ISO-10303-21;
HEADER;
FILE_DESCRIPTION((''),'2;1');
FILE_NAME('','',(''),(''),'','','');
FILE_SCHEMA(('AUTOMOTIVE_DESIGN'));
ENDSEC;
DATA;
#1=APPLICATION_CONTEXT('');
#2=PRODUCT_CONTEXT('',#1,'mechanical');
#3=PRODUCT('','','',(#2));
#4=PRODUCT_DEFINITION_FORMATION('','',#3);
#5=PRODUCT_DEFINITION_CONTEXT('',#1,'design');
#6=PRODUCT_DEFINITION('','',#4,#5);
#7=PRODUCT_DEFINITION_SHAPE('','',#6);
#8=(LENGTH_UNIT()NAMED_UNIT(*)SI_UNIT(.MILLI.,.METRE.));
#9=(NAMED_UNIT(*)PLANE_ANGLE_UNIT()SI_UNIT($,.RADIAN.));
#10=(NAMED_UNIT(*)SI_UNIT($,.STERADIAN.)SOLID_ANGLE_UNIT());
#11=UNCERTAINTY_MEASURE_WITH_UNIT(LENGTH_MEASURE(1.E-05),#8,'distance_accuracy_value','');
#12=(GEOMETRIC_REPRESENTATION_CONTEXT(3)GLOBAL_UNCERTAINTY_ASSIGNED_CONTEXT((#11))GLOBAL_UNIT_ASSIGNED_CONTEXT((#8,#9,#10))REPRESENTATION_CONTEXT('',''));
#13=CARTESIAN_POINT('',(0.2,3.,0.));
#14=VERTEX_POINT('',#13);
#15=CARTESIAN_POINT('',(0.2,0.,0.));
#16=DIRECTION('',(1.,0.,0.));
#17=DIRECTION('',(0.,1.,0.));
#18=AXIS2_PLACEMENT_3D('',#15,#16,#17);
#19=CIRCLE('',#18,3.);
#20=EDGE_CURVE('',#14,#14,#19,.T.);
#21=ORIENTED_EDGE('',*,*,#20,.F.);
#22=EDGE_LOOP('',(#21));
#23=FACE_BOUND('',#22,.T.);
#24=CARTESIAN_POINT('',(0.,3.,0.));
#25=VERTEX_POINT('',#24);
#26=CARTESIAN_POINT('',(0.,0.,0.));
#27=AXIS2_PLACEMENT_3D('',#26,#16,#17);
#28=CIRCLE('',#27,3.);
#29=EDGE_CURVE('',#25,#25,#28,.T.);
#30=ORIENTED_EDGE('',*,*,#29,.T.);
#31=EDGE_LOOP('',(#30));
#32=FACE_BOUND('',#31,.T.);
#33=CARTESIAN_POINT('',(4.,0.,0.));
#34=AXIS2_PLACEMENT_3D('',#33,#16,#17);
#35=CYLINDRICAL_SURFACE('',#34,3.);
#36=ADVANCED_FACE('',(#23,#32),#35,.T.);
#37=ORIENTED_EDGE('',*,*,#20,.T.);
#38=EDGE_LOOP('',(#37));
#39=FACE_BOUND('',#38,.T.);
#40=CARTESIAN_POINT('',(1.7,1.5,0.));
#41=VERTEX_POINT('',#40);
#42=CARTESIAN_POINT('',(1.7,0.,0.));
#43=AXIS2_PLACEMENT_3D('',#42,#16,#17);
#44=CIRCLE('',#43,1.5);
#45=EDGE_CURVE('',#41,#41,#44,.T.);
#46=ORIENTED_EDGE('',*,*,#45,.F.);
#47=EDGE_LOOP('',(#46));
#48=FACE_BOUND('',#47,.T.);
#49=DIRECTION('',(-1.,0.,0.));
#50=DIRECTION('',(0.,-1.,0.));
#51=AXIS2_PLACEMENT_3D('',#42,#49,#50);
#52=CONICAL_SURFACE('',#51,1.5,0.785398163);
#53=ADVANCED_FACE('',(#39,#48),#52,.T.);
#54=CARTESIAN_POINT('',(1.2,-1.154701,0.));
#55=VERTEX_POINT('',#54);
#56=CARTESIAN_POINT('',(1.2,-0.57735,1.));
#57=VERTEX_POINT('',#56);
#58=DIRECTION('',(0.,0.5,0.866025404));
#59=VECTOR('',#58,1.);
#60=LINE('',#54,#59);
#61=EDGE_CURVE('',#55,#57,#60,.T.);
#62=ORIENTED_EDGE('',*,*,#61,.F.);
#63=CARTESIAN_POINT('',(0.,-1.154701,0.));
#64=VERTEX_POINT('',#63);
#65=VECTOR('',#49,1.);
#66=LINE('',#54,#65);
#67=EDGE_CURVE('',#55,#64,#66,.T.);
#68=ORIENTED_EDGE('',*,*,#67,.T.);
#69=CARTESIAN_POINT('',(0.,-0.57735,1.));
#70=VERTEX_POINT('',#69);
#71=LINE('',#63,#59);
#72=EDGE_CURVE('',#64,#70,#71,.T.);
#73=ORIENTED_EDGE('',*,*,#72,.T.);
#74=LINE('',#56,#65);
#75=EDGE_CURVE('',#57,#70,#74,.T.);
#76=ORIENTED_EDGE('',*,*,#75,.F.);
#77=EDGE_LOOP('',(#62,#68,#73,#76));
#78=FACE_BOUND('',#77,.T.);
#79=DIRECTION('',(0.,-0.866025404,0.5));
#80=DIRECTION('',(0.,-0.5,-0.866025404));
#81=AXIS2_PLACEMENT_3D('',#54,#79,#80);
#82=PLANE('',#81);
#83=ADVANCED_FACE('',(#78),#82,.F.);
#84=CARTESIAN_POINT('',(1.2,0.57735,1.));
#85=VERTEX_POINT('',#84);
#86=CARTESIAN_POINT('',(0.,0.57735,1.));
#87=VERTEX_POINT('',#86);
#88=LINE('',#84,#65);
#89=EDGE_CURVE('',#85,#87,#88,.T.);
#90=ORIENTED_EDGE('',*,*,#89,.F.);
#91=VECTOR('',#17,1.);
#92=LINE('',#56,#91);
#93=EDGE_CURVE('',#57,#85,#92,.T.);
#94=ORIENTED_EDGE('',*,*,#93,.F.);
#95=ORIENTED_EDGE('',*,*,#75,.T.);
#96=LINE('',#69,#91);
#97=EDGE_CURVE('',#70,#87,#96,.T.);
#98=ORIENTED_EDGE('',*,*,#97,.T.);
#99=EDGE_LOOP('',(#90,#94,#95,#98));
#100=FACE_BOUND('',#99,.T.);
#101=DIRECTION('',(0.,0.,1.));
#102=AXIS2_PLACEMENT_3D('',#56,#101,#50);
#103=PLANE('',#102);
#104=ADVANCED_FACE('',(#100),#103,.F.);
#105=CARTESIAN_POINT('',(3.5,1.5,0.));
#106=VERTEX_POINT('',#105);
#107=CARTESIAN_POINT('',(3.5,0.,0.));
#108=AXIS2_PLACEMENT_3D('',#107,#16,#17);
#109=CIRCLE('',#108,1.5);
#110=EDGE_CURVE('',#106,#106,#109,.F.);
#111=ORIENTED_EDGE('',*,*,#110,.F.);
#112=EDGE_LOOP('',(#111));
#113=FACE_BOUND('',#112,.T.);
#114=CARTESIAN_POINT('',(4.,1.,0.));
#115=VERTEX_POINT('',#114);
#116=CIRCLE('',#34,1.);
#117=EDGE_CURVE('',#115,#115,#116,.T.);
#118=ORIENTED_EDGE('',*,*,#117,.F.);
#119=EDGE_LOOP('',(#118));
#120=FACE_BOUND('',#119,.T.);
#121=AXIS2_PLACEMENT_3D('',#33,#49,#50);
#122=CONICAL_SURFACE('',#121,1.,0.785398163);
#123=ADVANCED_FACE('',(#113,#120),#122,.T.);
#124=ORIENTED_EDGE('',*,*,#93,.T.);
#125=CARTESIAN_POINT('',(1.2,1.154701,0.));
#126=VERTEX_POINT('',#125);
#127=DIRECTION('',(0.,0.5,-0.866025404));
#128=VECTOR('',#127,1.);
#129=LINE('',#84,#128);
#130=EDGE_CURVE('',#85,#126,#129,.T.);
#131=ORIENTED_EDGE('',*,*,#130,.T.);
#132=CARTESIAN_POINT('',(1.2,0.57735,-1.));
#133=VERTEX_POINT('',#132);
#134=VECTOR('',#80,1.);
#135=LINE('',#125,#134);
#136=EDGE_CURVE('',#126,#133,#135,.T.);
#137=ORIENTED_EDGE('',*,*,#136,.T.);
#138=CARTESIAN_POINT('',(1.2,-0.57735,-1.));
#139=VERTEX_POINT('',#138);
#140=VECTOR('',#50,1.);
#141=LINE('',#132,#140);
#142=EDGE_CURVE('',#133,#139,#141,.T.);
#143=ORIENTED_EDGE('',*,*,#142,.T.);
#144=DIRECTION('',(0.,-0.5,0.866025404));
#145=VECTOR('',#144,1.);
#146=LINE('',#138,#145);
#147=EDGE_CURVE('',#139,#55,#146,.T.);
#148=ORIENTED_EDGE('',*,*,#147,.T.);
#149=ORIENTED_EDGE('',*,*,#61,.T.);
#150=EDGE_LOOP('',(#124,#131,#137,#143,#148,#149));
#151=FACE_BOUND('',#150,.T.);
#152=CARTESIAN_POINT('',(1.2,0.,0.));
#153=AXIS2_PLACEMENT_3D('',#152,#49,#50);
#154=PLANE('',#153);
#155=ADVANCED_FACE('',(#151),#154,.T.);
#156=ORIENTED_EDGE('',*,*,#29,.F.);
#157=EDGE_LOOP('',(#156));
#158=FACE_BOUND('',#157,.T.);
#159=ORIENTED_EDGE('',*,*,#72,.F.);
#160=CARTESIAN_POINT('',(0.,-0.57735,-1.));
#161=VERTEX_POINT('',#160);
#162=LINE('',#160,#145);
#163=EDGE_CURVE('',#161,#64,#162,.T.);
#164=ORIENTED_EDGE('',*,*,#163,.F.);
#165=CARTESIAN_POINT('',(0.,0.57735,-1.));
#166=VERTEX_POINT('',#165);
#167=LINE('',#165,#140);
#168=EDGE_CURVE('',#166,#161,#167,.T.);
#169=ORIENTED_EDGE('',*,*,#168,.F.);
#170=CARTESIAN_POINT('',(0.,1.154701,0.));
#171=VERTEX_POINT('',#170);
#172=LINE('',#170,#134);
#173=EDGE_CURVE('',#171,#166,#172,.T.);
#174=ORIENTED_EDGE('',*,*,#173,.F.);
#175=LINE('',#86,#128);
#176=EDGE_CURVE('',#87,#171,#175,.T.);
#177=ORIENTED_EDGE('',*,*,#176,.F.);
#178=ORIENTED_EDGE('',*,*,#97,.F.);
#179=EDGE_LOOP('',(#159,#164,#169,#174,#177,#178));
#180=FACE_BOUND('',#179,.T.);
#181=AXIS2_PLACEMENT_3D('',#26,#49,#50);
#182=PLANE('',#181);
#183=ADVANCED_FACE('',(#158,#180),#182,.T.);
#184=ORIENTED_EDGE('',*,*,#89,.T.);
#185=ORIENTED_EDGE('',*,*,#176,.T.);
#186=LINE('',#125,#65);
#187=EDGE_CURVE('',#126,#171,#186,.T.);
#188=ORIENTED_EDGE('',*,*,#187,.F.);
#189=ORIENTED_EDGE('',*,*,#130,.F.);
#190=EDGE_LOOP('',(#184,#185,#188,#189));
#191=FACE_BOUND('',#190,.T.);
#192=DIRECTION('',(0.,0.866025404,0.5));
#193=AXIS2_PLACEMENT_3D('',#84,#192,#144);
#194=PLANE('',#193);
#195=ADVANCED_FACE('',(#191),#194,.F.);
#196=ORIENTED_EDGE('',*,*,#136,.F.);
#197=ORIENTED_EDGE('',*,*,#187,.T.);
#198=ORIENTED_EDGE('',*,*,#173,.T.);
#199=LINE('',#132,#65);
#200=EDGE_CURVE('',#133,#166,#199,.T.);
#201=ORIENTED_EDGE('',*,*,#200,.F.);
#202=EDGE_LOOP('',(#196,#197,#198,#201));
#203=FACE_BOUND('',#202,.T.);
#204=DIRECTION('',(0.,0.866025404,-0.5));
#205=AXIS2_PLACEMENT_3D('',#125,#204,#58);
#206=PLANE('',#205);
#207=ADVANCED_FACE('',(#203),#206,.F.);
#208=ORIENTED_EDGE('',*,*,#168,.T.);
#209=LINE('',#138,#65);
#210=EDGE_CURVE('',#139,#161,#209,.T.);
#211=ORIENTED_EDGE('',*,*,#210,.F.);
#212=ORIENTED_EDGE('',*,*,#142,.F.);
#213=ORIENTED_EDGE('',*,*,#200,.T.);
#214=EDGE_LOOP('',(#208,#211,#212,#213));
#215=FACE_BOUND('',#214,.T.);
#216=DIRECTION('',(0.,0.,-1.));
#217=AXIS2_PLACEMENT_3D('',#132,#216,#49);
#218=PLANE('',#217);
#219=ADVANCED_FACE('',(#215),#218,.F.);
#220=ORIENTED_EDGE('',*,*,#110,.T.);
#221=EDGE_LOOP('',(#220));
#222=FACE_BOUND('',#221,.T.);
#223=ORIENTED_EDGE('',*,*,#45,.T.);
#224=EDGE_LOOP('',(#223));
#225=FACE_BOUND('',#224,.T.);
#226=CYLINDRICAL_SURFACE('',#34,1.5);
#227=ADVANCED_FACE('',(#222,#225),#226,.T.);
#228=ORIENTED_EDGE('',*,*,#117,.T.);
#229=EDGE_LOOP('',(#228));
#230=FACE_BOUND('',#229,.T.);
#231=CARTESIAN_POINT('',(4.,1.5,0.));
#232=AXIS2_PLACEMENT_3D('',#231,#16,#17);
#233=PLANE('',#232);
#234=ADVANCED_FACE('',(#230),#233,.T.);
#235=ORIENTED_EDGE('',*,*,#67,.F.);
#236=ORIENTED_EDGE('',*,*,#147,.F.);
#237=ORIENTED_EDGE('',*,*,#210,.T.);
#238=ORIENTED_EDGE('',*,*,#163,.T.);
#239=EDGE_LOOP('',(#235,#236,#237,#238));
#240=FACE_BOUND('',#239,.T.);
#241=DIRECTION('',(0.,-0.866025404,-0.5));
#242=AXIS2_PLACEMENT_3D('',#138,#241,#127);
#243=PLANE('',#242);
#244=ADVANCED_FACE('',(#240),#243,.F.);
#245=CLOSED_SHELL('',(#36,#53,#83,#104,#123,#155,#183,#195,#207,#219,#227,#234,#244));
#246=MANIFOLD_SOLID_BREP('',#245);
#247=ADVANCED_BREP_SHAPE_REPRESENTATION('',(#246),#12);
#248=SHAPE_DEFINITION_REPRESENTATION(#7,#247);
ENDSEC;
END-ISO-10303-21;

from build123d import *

# Parameters (mm, degrees)
CHANFREIN1_SIZE         = 0.5
ENL_V_MAT_EXTRU_1_DEPTH = 1.2


with BuildPart() as part:
    # Esquisse1 → Révolution1 (revolve)
    with BuildSketch(Plane.XY):
        Polygon((0, 0), (0, 3), (0.2, 3), (1.7, 1.5), (4, 1.5), (4, 0), align=None)
    revolve(axis=Axis((4, 0, 0), (-1, 0, 0)))

    # Chanfrein1
    chanfrein1_edges = [part.edges().sort_by_distance(p)[0] for p in [
        (4, -1.5, 0),
    ]]
    chamfer(chanfrein1_edges, length=CHANFREIN1_SIZE)

    # Esquisse2 → Enlèv. mat.-Extru.1 (cut)
    with BuildSketch(Plane.ZY):
        Polygon((0, 1.154700538), (-1, 0.577350269), (-1, -0.577350269), (0, -1.154700538), (1, -0.577350269), (1, 0.577350269), align=None)
    extrude(amount=-ENL_V_MAT_EXTRU_1_DEPTH, mode=Mode.SUBTRACT)


solid = part.part
